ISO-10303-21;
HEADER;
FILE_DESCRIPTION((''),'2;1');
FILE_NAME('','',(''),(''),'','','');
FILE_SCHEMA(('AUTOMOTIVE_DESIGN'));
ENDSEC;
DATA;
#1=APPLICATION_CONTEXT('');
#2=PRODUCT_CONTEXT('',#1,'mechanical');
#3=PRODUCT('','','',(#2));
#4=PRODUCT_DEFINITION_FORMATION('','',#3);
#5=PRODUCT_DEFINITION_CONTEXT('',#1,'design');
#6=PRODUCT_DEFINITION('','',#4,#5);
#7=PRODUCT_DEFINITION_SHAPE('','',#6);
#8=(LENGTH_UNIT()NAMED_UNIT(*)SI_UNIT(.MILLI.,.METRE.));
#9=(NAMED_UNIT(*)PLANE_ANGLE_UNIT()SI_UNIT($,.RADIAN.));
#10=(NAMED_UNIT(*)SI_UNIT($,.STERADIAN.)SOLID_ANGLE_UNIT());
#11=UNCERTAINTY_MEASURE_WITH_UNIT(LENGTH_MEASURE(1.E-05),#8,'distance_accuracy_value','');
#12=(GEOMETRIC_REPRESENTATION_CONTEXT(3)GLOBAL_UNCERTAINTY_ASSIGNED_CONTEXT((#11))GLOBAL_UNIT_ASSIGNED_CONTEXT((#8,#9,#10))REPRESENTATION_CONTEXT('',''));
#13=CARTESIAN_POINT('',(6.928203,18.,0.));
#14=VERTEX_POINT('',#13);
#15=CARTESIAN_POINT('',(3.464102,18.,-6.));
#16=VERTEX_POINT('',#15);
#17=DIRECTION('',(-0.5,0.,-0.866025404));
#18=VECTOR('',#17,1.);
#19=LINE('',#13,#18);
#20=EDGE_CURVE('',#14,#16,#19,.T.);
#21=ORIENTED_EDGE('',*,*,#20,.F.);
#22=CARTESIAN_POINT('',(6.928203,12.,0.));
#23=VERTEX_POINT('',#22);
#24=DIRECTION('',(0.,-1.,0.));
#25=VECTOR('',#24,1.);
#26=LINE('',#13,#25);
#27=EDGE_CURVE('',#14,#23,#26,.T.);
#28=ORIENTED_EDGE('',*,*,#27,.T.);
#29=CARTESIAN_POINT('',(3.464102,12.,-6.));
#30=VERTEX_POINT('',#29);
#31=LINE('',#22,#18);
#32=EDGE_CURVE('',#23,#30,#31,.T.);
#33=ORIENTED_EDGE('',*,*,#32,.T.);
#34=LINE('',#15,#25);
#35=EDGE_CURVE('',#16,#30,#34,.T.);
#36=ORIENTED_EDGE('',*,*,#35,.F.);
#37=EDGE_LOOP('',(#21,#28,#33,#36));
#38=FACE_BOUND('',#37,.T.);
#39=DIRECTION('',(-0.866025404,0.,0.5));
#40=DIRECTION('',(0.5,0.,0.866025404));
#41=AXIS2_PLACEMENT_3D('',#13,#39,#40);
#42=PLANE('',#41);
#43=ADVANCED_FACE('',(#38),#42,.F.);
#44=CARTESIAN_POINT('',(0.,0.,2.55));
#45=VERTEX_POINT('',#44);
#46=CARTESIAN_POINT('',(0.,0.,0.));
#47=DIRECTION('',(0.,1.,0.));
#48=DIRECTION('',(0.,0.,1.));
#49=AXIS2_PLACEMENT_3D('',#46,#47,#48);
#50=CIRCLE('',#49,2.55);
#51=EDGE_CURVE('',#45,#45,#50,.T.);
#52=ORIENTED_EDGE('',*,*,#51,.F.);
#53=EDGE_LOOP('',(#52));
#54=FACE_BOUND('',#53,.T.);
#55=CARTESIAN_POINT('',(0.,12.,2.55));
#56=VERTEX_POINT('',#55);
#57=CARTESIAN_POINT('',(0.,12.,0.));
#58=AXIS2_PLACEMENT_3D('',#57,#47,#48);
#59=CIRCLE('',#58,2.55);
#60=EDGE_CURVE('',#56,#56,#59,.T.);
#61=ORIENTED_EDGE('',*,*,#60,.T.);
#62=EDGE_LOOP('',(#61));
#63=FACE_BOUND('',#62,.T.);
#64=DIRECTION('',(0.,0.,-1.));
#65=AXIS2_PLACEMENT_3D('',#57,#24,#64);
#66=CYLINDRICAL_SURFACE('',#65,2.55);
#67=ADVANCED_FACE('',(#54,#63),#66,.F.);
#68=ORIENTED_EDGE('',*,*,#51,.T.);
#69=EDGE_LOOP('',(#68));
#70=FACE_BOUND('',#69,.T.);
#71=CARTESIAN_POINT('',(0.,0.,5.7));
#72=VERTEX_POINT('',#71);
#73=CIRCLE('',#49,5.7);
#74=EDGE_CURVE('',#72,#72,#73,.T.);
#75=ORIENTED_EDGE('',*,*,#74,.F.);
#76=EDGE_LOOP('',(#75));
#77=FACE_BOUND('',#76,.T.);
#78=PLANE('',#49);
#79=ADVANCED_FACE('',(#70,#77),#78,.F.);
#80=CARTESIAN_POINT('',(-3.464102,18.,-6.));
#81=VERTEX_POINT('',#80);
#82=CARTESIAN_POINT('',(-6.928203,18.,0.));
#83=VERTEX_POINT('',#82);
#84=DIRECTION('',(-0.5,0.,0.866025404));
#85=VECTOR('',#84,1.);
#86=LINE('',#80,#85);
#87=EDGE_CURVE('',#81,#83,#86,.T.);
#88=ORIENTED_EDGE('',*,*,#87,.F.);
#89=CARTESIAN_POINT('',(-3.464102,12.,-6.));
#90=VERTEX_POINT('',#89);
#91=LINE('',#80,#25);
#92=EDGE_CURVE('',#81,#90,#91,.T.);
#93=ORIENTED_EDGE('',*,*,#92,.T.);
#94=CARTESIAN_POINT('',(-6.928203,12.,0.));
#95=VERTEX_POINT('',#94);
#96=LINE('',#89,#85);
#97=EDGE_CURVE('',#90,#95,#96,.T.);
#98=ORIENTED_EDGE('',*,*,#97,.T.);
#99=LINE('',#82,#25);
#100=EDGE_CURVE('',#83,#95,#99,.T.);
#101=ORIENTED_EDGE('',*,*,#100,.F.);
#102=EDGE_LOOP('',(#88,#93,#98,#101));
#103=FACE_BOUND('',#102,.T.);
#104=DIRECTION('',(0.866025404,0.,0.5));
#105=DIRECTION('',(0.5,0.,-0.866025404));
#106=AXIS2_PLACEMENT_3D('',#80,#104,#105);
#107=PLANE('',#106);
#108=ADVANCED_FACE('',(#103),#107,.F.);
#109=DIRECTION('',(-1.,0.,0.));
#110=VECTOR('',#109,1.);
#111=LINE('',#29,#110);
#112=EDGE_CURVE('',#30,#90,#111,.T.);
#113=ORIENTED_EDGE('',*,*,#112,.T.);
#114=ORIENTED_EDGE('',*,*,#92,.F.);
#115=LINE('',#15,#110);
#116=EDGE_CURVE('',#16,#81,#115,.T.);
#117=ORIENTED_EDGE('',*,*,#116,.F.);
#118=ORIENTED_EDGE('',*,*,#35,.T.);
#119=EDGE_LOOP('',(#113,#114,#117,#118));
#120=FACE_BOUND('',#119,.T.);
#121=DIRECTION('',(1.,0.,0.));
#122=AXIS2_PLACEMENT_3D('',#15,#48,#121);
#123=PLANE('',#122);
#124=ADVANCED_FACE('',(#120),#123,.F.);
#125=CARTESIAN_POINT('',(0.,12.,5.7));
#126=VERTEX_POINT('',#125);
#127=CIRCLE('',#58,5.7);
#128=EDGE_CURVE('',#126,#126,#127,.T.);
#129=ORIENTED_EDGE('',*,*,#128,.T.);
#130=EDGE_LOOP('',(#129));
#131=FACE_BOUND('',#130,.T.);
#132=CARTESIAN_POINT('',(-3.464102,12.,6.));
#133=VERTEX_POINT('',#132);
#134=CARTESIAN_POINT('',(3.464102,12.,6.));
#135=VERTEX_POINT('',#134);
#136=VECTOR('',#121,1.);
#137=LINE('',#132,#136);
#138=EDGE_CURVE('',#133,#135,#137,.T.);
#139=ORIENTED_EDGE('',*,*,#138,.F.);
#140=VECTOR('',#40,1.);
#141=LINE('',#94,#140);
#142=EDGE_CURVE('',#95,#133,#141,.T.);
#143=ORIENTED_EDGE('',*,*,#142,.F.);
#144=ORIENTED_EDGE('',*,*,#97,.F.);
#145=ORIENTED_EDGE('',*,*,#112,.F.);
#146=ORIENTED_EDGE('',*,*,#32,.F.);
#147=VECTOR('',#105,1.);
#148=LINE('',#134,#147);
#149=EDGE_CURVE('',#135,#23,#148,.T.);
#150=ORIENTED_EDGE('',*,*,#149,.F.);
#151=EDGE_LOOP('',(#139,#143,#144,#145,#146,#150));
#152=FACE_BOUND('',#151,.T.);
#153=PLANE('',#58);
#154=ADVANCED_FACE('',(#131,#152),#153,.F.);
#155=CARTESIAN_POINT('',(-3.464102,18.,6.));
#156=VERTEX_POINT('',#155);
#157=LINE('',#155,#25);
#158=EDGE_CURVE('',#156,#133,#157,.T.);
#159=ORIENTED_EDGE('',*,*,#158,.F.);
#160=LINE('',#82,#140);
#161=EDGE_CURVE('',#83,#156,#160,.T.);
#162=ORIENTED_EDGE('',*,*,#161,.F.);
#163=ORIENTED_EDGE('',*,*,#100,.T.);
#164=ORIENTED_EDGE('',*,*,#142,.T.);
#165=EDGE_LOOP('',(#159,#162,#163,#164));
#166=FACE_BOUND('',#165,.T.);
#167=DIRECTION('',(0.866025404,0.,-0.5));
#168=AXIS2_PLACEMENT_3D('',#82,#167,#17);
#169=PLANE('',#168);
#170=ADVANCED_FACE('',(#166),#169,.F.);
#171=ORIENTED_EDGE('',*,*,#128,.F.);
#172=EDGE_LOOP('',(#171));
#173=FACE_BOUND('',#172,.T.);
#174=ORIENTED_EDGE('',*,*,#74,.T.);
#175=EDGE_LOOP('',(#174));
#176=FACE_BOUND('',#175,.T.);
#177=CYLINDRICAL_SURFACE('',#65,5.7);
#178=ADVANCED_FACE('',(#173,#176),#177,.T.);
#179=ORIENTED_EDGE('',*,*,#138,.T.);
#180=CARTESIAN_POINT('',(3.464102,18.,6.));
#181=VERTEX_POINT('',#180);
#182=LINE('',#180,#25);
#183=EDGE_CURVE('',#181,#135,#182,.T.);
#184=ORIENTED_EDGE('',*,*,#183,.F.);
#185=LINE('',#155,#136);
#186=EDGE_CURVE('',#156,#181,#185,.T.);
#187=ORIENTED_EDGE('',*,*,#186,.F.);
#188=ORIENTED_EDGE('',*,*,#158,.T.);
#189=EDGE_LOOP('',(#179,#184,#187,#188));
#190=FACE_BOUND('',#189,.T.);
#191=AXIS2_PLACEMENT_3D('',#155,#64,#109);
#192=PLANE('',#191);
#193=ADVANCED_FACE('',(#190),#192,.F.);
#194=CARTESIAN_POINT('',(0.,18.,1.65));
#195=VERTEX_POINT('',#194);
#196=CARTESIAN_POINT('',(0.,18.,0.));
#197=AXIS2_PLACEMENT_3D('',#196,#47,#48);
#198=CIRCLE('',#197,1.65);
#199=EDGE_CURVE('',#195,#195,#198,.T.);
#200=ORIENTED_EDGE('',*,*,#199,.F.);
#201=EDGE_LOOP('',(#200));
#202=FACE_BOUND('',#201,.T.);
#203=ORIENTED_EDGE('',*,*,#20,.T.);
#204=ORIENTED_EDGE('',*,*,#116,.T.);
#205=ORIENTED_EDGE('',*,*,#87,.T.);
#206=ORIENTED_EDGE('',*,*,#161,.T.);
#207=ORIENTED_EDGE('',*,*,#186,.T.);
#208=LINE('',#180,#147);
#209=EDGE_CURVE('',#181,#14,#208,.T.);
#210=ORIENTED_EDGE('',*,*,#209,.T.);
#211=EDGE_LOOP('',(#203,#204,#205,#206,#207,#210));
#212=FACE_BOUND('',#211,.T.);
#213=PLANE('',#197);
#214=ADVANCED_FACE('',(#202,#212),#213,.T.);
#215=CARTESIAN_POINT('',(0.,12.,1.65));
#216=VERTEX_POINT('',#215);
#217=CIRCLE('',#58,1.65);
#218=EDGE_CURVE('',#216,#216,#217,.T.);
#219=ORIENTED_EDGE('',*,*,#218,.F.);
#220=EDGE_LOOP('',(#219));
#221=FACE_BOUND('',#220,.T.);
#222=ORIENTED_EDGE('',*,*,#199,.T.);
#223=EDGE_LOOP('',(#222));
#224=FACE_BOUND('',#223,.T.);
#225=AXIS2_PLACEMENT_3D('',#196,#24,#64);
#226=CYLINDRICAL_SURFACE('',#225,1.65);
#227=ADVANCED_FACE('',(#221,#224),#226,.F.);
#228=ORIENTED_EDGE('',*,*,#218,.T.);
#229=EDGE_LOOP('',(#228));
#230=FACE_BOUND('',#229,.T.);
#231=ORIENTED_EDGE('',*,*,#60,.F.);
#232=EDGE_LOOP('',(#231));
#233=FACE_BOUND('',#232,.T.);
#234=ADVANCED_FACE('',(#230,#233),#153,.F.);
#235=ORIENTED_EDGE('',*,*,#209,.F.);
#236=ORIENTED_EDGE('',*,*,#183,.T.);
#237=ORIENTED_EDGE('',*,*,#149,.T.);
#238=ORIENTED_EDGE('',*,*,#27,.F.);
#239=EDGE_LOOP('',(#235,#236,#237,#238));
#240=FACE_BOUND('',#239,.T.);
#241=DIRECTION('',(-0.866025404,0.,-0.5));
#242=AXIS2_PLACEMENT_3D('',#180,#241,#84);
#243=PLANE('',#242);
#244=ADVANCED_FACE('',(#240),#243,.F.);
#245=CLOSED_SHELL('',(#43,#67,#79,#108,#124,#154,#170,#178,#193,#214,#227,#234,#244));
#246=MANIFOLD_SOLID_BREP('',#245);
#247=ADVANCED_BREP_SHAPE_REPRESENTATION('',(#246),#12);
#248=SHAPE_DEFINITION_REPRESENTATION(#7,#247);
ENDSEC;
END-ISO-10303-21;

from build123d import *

# Parameters (mm, degrees)
SKETCH1_R           = 5.7
SKETCH1_R_2         = 2.55
BOSS_EXTRUDE1_DEPTH = 12
SKETCH2_R           = 1.65
BOSS_EXTRUDE2_DEPTH = 6


with BuildPart() as part:
    # Sketch1 → Boss-Extrude1 (new body)
    with BuildSketch(Plane(origin=(0, 0, 0), x_dir=(1, 0, 0), z_dir=(0, 1, 0))):
        with Locations(Location((0, 0, 0), (0, 0, 270))):
            Circle(SKETCH1_R)
        with Locations(Location((0, 0, 0), (0, 0, 270))):
            Circle(SKETCH1_R_2, mode=Mode.SUBTRACT)
    extrude(amount=BOSS_EXTRUDE1_DEPTH)

    # Sketch2 → Boss-Extrude2 (add)
    with BuildSketch(Plane(origin=(0, 12, 0), x_dir=(1, 0, 0), z_dir=(0, 1, 0))):
        Polygon((6.92820323, 0), (3.464101615, 6), (-3.464101615, 6), (-6.92820323, 0), (-3.464101615, -6), (3.464101615, -6), align=None)
        with Locations(Location((0, 0, 0), (0, 0, 270))):
            Circle(SKETCH2_R, mode=Mode.SUBTRACT)
    extrude(amount=BOSS_EXTRUDE2_DEPTH)


solid = part.part
